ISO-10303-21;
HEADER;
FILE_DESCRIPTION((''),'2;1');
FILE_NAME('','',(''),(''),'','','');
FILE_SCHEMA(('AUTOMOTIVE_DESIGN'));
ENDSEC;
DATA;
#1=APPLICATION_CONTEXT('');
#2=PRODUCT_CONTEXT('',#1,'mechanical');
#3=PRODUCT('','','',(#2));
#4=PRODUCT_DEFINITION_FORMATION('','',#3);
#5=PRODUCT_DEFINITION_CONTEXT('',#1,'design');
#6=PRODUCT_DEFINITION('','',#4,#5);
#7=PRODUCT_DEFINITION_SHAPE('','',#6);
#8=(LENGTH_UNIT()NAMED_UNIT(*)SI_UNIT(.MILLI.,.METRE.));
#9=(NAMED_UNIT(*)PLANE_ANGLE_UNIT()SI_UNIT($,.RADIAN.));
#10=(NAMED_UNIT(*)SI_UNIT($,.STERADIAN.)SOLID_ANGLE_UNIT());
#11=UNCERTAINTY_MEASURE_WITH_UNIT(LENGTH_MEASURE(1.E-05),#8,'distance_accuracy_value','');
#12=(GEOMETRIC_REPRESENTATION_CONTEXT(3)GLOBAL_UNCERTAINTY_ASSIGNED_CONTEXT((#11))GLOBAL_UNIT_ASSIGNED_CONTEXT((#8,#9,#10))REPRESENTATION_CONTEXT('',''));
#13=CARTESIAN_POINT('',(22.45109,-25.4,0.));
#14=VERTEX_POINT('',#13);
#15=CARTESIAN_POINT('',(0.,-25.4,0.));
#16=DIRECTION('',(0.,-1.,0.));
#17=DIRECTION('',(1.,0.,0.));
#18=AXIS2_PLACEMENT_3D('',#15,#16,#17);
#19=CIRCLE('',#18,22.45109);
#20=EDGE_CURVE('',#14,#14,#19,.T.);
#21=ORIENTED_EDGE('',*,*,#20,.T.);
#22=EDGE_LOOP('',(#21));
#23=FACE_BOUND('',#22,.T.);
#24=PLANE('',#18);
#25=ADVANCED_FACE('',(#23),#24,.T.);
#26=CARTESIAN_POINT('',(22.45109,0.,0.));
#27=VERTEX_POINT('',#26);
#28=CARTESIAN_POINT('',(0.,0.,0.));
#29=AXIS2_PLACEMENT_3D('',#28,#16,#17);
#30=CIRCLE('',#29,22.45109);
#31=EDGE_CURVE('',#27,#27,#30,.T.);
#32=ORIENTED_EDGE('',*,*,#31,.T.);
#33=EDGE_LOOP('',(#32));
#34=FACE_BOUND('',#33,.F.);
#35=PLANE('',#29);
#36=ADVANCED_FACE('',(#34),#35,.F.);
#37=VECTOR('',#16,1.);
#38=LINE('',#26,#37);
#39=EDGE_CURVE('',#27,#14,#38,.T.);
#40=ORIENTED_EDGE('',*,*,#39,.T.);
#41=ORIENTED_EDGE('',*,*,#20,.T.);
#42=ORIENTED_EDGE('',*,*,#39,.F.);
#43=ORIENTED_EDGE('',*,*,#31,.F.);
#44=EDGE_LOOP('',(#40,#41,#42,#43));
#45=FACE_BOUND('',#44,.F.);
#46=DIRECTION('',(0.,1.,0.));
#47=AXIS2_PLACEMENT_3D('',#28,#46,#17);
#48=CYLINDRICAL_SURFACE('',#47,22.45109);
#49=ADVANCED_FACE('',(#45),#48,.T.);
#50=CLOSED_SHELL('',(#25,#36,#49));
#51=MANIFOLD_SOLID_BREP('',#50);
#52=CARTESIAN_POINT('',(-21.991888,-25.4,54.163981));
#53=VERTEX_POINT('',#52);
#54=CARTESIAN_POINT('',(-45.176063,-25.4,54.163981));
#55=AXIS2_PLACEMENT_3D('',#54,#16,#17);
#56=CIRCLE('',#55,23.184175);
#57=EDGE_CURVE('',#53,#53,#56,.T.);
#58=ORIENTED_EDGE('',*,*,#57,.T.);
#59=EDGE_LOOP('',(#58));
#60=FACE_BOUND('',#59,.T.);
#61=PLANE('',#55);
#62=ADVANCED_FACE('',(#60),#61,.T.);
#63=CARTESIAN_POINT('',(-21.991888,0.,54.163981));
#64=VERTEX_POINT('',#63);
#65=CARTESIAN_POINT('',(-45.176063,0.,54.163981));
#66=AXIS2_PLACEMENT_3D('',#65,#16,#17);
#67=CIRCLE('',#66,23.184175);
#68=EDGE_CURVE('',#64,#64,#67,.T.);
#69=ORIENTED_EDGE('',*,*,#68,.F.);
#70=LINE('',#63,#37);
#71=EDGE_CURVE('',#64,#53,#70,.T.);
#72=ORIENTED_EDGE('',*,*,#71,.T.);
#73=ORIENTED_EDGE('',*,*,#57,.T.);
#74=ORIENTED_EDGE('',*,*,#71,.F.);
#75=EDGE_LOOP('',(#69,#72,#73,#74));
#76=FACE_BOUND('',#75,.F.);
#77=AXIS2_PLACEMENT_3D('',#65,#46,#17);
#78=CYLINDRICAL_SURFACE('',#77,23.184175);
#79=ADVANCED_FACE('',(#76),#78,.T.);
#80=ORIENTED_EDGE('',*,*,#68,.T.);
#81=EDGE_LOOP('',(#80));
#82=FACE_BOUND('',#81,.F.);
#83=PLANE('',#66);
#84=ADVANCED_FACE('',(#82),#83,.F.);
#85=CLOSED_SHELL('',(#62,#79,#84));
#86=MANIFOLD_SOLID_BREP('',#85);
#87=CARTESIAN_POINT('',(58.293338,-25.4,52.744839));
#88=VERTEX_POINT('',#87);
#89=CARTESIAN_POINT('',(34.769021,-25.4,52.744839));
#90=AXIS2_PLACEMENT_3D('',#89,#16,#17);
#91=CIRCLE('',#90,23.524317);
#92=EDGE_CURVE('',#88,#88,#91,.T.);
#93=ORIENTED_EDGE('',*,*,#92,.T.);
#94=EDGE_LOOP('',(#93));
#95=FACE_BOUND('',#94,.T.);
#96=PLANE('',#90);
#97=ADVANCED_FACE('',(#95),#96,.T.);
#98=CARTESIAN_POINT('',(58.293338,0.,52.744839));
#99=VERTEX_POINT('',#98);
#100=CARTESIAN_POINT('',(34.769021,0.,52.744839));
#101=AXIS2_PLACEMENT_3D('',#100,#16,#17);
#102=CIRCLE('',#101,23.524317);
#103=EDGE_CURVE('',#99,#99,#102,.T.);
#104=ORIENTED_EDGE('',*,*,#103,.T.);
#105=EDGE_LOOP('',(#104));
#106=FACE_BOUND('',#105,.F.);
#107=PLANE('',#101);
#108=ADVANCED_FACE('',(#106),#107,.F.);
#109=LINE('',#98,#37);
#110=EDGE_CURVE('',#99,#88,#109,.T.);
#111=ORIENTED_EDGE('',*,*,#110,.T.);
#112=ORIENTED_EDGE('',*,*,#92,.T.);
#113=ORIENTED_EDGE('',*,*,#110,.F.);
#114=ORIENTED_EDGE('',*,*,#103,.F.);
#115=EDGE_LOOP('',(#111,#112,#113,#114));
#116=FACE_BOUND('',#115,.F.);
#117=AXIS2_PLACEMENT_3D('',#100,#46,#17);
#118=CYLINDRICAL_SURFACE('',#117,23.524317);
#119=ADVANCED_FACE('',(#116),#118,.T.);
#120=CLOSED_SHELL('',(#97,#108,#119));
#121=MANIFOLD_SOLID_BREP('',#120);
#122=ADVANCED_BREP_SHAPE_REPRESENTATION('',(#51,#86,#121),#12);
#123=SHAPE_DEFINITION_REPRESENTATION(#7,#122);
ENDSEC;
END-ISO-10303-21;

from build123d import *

# Parameters (mm, degrees)
F0_R     = 22.45109
F0_R_2   = 23.184175
F0_R_3   = 23.524317
F1_DEPTH = 25.4


with BuildPart() as f1:
    # F0 (on Front) → F1 (new body)
    with BuildSketch(Plane.XZ):
        Circle(F0_R)
        with Locations((-45.176063, 54.163981)):
            Circle(F0_R_2)
        with Locations((34.769021, 52.744839)):
            Circle(F0_R_3)
    extrude(amount=F1_DEPTH)


solid = f1.part
